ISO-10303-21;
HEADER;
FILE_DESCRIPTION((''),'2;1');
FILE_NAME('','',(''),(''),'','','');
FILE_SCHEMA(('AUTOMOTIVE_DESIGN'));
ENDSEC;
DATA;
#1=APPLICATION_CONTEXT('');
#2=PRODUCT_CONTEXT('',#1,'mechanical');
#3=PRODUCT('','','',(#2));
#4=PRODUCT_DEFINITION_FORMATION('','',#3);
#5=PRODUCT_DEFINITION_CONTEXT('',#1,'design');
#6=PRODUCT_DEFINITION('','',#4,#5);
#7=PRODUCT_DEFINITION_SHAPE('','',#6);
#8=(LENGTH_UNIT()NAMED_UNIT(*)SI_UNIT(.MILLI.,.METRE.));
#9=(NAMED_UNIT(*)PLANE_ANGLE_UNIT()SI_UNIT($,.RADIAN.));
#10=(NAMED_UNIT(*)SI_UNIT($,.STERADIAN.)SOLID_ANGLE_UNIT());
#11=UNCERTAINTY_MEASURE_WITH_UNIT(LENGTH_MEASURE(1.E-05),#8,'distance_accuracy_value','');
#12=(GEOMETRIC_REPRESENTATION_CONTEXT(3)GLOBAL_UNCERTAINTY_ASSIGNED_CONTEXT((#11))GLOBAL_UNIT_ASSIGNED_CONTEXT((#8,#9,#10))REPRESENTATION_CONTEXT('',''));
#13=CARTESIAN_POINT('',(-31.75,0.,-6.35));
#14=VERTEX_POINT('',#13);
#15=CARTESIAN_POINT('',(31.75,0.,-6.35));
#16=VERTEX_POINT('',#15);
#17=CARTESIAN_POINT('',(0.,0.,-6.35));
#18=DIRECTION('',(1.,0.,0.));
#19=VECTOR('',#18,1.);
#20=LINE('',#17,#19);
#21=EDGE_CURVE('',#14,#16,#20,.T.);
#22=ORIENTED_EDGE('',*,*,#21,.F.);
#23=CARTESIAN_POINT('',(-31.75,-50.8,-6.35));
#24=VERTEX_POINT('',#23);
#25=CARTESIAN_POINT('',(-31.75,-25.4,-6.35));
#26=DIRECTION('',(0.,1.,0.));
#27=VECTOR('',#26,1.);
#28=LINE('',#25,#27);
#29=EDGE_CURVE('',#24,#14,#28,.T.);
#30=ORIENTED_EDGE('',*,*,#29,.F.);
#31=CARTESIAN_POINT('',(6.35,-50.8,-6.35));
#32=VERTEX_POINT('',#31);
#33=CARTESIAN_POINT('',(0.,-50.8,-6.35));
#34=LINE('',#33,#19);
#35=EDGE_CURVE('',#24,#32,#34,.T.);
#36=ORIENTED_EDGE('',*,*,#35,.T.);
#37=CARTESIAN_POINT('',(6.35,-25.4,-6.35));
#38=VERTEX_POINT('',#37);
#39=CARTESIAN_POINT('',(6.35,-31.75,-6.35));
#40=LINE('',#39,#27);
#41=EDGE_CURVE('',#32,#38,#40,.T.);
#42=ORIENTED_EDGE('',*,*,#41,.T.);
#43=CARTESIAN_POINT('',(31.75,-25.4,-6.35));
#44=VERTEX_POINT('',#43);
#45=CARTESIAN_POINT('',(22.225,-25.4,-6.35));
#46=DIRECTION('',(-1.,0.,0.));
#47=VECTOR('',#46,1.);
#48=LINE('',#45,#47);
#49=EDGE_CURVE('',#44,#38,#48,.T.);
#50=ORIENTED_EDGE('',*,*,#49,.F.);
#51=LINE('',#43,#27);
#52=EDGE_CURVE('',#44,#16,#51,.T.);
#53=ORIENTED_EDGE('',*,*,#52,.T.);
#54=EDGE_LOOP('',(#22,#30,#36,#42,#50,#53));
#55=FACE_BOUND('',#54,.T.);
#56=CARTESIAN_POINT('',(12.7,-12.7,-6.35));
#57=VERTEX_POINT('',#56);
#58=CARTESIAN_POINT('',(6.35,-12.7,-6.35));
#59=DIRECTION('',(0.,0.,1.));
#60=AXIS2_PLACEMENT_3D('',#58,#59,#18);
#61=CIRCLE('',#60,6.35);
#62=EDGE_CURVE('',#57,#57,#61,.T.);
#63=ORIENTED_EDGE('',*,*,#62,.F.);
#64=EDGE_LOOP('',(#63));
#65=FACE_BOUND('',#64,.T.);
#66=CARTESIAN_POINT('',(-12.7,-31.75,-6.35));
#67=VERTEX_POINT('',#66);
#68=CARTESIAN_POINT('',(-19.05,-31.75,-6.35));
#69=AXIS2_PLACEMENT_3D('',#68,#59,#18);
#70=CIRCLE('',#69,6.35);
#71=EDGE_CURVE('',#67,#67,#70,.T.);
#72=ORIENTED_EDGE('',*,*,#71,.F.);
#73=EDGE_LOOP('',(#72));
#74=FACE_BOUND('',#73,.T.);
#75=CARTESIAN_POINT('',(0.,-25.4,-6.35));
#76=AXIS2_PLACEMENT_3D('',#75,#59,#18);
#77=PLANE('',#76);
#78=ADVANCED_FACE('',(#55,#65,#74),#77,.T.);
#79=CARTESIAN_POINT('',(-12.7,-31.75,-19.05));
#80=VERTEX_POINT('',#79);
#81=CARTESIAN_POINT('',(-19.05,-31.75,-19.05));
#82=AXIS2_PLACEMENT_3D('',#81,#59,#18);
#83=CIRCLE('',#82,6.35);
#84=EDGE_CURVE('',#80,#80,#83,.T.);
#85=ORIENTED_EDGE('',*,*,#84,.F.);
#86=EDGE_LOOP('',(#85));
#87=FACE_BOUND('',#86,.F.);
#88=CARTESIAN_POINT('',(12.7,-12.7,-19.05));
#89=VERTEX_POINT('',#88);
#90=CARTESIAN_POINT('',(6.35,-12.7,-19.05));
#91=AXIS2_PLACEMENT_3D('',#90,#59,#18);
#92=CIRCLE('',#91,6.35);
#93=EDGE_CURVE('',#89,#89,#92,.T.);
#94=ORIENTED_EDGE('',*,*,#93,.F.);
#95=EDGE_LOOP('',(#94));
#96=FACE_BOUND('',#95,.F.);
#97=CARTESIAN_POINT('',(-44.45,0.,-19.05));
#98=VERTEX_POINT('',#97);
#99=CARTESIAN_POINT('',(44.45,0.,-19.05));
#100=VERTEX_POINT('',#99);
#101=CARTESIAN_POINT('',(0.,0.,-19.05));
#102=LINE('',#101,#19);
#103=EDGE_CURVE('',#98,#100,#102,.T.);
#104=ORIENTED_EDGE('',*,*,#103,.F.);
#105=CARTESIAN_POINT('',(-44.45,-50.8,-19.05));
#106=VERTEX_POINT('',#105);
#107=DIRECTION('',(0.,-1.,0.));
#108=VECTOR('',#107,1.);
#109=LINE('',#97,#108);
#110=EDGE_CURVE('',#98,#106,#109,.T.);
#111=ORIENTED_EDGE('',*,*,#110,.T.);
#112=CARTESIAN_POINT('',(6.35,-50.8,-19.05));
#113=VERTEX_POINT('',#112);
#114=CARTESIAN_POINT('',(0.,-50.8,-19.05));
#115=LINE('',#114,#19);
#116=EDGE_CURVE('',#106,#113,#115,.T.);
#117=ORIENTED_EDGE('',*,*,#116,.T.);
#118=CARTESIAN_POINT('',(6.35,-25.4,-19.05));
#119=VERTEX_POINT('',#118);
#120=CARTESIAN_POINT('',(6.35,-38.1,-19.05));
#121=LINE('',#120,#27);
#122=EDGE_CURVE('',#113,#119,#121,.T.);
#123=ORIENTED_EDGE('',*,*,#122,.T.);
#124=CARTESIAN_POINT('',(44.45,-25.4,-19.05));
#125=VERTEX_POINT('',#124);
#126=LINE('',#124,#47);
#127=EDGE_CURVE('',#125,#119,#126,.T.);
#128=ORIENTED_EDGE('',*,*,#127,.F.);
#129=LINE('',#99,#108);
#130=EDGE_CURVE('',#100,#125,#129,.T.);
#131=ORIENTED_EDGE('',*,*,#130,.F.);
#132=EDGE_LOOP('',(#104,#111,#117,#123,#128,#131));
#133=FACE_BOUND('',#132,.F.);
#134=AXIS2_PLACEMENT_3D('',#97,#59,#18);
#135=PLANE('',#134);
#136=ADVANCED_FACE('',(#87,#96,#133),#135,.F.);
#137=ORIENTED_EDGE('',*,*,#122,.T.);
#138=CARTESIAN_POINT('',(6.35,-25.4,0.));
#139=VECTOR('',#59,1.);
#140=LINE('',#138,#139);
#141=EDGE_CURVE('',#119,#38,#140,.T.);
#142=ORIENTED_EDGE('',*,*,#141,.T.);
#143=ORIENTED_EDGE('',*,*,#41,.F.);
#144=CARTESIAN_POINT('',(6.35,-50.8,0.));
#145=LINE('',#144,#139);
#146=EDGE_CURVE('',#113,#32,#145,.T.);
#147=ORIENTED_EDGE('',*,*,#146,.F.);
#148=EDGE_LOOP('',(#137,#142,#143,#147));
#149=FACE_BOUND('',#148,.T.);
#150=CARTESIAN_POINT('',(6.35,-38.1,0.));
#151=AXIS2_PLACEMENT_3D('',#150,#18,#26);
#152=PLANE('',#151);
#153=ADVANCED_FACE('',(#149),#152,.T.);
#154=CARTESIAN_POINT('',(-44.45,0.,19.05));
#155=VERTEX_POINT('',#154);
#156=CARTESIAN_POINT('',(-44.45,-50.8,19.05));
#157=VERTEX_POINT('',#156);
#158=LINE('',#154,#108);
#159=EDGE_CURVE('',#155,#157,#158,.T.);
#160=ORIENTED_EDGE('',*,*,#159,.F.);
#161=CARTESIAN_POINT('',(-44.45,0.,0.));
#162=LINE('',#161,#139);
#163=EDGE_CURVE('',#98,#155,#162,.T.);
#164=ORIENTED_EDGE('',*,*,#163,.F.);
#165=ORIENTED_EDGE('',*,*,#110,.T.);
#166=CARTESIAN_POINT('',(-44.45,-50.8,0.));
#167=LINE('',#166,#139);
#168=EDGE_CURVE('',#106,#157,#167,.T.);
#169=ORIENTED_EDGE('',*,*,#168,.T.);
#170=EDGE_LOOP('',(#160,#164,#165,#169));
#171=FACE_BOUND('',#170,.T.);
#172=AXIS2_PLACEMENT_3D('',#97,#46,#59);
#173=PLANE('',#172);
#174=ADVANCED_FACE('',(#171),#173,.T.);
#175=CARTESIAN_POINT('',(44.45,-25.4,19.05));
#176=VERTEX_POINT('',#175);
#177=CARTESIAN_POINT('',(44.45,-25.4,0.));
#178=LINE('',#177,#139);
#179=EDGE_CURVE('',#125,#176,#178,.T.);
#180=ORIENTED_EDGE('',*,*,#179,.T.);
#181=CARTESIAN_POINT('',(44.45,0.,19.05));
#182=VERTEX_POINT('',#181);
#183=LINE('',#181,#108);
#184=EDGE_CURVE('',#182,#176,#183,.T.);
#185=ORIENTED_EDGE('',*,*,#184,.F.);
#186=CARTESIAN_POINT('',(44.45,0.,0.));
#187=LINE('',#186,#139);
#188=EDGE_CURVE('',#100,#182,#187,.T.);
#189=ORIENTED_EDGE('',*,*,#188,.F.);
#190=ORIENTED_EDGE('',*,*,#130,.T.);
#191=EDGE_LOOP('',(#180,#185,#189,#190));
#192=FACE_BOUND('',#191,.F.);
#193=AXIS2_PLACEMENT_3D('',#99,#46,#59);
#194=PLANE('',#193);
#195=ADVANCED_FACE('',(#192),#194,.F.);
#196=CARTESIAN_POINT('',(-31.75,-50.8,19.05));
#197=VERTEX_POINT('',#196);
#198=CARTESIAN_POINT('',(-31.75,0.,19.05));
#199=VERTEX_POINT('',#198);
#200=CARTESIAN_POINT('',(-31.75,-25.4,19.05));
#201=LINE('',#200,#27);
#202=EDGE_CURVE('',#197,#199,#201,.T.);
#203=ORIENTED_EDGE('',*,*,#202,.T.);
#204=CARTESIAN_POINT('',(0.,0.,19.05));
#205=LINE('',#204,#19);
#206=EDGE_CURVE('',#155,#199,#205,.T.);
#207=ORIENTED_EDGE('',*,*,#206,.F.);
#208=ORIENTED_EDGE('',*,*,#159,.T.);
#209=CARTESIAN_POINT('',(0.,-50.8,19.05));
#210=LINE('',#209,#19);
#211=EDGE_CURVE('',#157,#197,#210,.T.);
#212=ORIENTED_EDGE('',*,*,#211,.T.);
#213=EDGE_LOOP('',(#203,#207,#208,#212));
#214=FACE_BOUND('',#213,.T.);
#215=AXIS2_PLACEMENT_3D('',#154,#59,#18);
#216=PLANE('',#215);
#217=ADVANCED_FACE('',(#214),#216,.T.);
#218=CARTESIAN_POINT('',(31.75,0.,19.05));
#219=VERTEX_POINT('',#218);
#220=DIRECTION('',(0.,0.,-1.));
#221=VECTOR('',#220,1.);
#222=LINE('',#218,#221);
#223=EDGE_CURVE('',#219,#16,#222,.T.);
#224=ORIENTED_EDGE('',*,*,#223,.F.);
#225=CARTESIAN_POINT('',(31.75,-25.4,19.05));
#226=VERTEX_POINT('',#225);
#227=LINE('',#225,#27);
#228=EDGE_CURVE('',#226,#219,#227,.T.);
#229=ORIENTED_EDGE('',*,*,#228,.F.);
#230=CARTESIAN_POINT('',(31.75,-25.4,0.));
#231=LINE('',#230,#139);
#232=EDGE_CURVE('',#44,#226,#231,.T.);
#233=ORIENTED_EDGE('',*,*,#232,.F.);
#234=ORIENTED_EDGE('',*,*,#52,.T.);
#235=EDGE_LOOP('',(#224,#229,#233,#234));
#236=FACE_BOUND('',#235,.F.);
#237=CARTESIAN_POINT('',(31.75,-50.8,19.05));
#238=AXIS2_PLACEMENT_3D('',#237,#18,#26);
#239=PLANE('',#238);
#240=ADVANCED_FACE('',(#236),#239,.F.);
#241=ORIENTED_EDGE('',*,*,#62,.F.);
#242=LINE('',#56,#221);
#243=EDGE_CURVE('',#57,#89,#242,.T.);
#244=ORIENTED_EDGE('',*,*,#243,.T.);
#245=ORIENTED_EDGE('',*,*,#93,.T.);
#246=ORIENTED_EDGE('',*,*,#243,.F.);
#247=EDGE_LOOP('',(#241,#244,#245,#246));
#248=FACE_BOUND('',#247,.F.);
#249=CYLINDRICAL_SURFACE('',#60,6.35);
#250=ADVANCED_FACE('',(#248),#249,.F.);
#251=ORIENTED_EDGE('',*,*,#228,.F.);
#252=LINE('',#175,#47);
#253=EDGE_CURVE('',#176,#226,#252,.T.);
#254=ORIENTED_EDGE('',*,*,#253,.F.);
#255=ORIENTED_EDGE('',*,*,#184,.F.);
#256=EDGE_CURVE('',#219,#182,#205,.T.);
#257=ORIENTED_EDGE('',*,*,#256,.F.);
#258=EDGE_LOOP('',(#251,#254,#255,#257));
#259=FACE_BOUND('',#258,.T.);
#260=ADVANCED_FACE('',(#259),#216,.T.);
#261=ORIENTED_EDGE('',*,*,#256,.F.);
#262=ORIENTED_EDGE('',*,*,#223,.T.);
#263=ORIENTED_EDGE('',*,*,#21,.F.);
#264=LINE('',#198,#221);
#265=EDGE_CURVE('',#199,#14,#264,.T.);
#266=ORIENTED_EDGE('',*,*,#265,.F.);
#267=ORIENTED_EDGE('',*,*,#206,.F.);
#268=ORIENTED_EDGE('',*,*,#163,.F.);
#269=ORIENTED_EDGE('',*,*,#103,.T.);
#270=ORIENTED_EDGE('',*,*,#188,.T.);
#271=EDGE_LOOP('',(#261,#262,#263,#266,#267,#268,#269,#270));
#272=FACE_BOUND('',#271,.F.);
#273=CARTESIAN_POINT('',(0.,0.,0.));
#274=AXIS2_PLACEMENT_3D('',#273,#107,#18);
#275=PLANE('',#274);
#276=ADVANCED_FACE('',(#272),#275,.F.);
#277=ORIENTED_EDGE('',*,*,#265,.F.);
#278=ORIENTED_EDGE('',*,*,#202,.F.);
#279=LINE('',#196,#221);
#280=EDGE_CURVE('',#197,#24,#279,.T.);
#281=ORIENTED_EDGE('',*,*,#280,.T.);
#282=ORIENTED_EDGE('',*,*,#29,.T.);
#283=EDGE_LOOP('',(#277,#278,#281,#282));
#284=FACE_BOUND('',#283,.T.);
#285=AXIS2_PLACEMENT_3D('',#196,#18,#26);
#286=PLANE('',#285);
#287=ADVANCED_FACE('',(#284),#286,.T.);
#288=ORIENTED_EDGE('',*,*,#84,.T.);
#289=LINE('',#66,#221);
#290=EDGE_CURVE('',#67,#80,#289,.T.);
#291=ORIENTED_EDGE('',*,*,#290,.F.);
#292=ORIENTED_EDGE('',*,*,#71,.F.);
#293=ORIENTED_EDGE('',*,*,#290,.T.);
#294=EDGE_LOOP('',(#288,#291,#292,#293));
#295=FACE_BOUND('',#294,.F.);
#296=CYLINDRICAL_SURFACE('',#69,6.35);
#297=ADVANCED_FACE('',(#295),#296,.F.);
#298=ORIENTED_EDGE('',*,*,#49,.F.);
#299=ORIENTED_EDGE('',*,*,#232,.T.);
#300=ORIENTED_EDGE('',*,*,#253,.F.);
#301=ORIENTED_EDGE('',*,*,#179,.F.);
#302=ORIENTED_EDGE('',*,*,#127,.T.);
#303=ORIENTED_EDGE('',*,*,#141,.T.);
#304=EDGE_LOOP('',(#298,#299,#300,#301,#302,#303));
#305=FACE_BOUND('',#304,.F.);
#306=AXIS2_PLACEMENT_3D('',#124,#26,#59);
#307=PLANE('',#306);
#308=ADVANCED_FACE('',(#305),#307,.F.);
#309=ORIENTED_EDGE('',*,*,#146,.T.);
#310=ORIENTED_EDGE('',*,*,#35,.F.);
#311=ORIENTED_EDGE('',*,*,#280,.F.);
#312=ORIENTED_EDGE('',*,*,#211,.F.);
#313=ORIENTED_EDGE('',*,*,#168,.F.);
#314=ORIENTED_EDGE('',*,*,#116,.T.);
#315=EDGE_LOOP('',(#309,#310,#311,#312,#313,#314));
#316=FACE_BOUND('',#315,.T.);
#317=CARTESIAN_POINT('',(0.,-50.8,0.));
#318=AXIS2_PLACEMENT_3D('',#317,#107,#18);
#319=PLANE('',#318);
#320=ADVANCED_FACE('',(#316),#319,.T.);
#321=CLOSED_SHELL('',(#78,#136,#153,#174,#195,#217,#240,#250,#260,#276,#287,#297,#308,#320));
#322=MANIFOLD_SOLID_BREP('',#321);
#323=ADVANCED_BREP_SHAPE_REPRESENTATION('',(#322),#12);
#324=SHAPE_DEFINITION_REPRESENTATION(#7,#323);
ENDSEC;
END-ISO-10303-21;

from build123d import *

# Parameters (mm, degrees)
F0_W     = 88.9
F0_H     = 38.1
F1_DEPTH = 50.8
F2_W     = 63.5
F2_H     = 50.8
F3_DEPTH = 25.4
F4_W     = 25.4
F4_H     = 38.1
F5_DEPTH = 38.1
F6_R     = 6.35
F7_DEPTH = 25.4


with BuildPart() as f1:
    # F0 (on Front) → F1 (new body)
    with BuildSketch(Plane.XZ):
        Rectangle(F0_W, F0_H)
    extrude(amount=F1_DEPTH)

    # F2 (on face) → F3 (cut)
    with BuildSketch(Plane.XY.offset(19.05)):
        with Locations((0, -25.4)):
            Rectangle(F2_W, F2_H)
    extrude(amount=-F3_DEPTH, mode=Mode.SUBTRACT)

    # F4 (on face) → F5 (cut)
    with BuildSketch(Plane.YZ.offset(44.45)):
        with Locations((-38.1, 0)):
            Rectangle(F4_W, F4_H)
    extrude(amount=-F5_DEPTH, mode=Mode.SUBTRACT)

    # F6 (on face) → F7 (cut)
    with BuildSketch(Plane.XY.offset(-6.35)):
        with Locations((-19.05, -31.75)):
            Circle(F6_R)
        with Locations((6.35, -12.7)):
            Circle(F6_R)
    extrude(amount=-F7_DEPTH, mode=Mode.SUBTRACT)


solid = f1.part
